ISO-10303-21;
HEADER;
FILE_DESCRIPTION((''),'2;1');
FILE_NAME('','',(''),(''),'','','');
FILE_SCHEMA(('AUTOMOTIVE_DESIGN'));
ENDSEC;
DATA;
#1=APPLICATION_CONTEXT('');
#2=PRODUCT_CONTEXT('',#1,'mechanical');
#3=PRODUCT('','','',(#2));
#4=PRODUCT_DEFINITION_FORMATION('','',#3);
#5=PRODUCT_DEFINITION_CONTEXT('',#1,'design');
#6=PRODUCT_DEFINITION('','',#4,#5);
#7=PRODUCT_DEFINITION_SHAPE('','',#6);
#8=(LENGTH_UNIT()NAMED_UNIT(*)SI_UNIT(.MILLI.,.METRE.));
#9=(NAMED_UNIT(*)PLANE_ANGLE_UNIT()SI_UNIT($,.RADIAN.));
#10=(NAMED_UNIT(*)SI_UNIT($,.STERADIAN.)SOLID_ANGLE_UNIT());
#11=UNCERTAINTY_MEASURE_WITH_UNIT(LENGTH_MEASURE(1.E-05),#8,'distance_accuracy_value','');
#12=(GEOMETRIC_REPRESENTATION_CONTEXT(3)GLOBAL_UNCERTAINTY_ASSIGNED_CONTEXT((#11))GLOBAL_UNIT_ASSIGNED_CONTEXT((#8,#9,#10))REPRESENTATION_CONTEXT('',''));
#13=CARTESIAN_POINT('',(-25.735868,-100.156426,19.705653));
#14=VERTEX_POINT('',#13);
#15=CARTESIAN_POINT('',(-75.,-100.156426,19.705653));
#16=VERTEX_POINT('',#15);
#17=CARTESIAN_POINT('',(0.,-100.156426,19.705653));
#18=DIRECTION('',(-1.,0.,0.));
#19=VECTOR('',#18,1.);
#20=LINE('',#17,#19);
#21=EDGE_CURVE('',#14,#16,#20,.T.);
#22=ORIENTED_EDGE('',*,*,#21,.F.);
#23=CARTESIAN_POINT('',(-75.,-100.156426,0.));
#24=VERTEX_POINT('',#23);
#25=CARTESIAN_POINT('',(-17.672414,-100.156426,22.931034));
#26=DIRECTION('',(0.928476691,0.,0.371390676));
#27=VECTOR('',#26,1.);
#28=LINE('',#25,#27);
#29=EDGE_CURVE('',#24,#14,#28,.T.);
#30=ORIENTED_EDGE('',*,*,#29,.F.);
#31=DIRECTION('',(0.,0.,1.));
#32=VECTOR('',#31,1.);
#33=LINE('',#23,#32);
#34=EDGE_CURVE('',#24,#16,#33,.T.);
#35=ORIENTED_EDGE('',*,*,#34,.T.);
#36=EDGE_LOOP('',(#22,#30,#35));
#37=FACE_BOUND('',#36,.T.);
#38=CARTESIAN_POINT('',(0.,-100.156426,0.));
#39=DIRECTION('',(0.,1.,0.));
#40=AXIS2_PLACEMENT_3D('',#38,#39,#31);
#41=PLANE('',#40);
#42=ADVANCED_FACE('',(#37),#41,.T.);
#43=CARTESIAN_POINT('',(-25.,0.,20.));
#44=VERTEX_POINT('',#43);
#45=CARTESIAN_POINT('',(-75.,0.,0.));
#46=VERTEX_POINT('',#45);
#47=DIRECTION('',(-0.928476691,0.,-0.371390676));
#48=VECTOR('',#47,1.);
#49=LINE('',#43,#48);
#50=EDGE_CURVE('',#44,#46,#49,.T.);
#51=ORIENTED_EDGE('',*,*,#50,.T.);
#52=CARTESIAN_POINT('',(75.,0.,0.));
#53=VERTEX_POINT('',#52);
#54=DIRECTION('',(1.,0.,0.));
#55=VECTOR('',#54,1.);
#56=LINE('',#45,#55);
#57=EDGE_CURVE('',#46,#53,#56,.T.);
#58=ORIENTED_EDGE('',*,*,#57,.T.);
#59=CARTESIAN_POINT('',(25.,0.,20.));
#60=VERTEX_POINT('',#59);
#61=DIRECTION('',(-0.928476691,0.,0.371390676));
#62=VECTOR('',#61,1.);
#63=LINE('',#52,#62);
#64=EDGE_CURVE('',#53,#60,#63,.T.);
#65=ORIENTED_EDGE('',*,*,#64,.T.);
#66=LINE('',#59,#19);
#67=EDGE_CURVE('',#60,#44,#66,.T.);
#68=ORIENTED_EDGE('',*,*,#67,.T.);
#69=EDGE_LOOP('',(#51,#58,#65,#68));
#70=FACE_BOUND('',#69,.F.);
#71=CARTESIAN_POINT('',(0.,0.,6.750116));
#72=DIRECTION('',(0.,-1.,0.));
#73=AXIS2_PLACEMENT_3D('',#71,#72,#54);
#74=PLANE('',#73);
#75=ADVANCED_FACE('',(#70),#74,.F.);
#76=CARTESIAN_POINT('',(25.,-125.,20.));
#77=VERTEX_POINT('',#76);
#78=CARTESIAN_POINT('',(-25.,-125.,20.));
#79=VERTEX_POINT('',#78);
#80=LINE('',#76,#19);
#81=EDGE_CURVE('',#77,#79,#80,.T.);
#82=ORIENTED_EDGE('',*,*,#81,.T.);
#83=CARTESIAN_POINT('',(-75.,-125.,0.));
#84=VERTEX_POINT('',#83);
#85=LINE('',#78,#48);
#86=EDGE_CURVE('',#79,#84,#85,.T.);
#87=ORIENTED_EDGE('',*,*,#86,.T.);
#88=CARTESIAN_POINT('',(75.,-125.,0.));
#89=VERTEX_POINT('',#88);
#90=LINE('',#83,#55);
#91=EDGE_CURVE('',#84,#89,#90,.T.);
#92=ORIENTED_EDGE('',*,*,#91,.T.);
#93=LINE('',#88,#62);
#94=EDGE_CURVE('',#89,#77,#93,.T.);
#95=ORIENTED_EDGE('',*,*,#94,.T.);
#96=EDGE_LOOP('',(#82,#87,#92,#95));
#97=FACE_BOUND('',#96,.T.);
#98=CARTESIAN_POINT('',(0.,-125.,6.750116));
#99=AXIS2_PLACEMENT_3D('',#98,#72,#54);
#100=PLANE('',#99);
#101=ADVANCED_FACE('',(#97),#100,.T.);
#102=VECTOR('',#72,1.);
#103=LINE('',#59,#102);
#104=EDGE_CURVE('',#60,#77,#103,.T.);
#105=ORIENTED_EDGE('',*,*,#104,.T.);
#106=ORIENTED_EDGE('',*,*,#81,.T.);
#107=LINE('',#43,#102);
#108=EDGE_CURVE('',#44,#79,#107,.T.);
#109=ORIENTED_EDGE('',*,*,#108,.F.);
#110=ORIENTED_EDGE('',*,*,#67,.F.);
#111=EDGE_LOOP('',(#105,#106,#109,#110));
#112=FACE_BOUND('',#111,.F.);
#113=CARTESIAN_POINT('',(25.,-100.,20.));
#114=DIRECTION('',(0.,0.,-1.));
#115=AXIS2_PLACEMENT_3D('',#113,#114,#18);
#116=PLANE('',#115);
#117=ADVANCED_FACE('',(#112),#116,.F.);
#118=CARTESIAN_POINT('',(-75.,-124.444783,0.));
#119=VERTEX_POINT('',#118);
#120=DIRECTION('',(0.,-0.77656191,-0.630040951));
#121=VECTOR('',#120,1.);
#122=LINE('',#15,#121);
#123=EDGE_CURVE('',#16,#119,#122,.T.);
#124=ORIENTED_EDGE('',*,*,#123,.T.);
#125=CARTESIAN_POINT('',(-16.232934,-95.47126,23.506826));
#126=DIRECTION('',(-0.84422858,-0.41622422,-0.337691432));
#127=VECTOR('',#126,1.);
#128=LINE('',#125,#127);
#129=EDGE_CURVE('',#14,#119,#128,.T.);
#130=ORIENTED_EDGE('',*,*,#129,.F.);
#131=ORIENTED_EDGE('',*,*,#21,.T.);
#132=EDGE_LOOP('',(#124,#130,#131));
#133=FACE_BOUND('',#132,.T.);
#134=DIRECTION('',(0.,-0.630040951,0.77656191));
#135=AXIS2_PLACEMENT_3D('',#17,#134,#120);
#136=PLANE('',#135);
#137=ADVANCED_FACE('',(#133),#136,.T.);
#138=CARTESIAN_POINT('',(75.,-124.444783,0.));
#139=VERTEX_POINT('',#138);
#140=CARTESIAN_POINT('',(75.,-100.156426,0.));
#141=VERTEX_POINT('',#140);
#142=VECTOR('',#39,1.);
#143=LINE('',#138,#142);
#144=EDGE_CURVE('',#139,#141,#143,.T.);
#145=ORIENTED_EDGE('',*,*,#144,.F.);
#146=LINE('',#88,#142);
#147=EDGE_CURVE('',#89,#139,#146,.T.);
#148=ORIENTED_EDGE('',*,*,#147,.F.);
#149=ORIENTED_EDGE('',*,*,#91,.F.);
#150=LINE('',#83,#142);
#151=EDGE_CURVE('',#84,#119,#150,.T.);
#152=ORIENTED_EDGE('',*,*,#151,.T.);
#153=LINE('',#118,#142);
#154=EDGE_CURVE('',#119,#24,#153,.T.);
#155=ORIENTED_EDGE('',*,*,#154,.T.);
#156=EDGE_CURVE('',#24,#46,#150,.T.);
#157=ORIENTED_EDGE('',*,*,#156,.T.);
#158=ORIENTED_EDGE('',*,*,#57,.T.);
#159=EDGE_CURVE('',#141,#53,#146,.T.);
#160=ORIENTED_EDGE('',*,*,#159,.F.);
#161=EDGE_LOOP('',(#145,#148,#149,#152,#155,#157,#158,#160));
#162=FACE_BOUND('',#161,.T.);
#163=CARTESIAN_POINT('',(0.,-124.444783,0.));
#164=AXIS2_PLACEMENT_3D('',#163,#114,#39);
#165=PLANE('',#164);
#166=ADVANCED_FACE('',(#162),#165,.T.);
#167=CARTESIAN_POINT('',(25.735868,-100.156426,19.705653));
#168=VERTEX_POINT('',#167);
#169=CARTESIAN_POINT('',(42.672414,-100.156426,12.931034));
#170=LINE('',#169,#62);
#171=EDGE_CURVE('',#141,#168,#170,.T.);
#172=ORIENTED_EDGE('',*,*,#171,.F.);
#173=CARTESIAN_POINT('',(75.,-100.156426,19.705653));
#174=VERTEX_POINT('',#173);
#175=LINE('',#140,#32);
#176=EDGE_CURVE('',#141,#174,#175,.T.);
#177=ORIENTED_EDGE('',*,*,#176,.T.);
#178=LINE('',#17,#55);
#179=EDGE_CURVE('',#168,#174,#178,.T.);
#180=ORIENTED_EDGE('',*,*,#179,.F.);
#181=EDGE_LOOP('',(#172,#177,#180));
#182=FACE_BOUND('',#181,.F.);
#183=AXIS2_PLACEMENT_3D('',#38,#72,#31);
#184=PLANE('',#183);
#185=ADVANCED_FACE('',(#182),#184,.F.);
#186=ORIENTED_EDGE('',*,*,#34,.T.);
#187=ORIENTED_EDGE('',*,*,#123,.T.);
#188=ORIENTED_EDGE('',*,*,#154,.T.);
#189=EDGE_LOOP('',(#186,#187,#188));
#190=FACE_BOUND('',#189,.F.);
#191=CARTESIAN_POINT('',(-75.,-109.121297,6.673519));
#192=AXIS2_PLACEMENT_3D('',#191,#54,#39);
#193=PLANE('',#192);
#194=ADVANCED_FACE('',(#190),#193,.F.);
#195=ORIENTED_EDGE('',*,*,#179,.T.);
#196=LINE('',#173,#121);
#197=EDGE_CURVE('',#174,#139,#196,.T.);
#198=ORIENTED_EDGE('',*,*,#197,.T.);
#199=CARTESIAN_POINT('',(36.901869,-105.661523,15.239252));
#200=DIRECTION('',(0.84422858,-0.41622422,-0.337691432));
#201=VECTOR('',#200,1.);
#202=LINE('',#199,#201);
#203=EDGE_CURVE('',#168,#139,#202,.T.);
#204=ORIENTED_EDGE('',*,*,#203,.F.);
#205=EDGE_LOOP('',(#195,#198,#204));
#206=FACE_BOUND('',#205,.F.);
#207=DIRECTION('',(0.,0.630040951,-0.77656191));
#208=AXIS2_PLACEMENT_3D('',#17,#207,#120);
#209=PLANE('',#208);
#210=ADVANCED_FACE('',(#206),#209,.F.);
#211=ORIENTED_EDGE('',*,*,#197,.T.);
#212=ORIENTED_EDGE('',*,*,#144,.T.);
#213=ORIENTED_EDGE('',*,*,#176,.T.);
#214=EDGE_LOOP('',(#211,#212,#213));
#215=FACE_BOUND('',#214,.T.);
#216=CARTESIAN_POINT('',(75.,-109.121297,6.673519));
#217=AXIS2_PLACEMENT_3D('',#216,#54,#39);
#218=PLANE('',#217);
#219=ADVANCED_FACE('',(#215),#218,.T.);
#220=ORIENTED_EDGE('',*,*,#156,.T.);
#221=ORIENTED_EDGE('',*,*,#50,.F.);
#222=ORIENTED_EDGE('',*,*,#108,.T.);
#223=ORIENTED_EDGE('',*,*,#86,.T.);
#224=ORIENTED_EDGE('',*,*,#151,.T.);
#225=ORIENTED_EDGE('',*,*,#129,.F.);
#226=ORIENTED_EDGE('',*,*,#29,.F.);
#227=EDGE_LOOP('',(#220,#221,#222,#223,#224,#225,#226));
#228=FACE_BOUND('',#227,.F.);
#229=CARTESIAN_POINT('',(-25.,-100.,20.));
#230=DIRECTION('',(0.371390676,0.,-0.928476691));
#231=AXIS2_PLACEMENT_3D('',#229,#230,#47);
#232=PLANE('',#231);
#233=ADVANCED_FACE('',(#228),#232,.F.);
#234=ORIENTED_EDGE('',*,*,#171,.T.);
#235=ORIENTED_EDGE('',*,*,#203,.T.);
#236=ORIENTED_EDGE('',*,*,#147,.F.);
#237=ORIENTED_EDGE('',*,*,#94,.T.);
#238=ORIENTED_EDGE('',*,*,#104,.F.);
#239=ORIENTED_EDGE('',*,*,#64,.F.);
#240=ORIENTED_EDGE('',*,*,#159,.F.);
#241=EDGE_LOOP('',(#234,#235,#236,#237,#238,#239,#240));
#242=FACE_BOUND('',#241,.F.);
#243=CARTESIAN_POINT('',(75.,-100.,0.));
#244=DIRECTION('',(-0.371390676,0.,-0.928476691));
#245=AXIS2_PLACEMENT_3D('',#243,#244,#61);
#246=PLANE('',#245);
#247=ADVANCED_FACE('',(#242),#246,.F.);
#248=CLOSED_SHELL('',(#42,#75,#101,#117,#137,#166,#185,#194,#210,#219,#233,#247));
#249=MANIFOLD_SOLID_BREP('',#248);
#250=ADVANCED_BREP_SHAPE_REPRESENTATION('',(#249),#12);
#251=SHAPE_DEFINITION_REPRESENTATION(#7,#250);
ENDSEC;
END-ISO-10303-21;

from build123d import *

# Parameters (mm, degrees)
F1_DEPTH = 100
F2_DEPTH = 25
F4_DEPTH = 75
F5_DEPTH = 75


with BuildPart() as f1:
    # F0 (on Front) → F1 (new body)
    with BuildSketch(Plane.XZ):
        Polygon((75, 0), (25, 20), (-25, 20), (-75, 0), align=None)
    extrude(amount=F1_DEPTH)

    # F1_face (on face) → F2 (join)
    with BuildSketch(Plane(origin=(0, -100, 8.333333), x_dir=(1, 0, 0), z_dir=(0, -1, 0))):
        Polygon((75, -8.333333), (25, 11.666667), (-25, 11.666667), (-75, -8.333333), align=None)
    extrude(amount=F2_DEPTH)

    # F3 (on Right) → F4 (join)
    with BuildSketch(Plane.YZ):
        Polygon((-124.444783, 0), (-100.156426, 0), (-100.156426, 19.705653), align=None)
    extrude(amount=F4_DEPTH)

    # F3 (on Right) → F5 (join)
    with BuildSketch(Plane.YZ):
        Polygon((-124.444783, 0), (-100.156426, 0), (-100.156426, 19.705653), align=None)
    extrude(amount=-F5_DEPTH)


solid = f1.part
